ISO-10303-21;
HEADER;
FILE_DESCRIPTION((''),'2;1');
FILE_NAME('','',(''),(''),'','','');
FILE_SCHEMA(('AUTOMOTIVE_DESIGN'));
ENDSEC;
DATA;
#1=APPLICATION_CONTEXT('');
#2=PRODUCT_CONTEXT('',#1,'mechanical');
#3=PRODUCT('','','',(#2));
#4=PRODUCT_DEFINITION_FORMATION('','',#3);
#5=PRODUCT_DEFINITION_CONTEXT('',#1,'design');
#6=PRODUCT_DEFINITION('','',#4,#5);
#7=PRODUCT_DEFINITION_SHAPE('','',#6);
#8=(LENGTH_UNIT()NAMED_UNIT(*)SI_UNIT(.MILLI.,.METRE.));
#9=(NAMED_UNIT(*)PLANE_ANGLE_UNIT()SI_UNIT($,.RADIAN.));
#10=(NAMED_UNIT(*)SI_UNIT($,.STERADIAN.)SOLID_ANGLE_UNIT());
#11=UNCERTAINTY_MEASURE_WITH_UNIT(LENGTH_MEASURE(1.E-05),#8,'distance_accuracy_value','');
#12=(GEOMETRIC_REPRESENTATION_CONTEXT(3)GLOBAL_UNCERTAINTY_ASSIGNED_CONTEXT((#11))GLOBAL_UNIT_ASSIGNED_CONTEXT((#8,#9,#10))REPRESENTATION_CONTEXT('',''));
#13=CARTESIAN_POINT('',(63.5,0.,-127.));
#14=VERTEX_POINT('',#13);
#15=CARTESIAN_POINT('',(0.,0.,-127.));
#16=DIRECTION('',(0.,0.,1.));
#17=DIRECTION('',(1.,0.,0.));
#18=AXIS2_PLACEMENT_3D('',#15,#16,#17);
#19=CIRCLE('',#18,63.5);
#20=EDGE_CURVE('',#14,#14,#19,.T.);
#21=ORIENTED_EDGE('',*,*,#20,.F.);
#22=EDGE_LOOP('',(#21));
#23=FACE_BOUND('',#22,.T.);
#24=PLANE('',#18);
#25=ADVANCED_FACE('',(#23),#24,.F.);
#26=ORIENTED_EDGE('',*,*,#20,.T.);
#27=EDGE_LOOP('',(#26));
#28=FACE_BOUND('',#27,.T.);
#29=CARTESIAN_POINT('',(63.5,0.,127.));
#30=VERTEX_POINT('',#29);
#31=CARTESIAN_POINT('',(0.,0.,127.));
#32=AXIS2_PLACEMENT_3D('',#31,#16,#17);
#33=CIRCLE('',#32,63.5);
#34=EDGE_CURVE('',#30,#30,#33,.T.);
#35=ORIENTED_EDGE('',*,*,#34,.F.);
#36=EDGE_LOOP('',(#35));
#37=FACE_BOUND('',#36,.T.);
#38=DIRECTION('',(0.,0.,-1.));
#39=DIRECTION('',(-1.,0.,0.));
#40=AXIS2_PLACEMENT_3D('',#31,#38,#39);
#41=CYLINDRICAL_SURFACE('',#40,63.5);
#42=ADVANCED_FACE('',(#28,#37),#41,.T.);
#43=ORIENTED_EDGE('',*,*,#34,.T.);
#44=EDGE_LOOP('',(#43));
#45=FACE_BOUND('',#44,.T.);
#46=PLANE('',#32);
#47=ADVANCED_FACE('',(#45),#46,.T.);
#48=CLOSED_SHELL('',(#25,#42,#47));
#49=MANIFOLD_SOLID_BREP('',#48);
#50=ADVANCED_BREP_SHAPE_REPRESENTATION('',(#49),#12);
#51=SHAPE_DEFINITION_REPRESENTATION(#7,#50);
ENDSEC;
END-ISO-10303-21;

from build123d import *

# Parameters (mm, degrees)
SKETCH1_R      = 63.5
EXTRUDE1_DEPTH = 127


with BuildPart() as part:
    # Sketch1 → Extrude1 (new, symmetric)
    with BuildSketch(Plane.XY):
        Circle(SKETCH1_R)
    extrude(amount=EXTRUDE1_DEPTH, both=True)


solid = part.part
